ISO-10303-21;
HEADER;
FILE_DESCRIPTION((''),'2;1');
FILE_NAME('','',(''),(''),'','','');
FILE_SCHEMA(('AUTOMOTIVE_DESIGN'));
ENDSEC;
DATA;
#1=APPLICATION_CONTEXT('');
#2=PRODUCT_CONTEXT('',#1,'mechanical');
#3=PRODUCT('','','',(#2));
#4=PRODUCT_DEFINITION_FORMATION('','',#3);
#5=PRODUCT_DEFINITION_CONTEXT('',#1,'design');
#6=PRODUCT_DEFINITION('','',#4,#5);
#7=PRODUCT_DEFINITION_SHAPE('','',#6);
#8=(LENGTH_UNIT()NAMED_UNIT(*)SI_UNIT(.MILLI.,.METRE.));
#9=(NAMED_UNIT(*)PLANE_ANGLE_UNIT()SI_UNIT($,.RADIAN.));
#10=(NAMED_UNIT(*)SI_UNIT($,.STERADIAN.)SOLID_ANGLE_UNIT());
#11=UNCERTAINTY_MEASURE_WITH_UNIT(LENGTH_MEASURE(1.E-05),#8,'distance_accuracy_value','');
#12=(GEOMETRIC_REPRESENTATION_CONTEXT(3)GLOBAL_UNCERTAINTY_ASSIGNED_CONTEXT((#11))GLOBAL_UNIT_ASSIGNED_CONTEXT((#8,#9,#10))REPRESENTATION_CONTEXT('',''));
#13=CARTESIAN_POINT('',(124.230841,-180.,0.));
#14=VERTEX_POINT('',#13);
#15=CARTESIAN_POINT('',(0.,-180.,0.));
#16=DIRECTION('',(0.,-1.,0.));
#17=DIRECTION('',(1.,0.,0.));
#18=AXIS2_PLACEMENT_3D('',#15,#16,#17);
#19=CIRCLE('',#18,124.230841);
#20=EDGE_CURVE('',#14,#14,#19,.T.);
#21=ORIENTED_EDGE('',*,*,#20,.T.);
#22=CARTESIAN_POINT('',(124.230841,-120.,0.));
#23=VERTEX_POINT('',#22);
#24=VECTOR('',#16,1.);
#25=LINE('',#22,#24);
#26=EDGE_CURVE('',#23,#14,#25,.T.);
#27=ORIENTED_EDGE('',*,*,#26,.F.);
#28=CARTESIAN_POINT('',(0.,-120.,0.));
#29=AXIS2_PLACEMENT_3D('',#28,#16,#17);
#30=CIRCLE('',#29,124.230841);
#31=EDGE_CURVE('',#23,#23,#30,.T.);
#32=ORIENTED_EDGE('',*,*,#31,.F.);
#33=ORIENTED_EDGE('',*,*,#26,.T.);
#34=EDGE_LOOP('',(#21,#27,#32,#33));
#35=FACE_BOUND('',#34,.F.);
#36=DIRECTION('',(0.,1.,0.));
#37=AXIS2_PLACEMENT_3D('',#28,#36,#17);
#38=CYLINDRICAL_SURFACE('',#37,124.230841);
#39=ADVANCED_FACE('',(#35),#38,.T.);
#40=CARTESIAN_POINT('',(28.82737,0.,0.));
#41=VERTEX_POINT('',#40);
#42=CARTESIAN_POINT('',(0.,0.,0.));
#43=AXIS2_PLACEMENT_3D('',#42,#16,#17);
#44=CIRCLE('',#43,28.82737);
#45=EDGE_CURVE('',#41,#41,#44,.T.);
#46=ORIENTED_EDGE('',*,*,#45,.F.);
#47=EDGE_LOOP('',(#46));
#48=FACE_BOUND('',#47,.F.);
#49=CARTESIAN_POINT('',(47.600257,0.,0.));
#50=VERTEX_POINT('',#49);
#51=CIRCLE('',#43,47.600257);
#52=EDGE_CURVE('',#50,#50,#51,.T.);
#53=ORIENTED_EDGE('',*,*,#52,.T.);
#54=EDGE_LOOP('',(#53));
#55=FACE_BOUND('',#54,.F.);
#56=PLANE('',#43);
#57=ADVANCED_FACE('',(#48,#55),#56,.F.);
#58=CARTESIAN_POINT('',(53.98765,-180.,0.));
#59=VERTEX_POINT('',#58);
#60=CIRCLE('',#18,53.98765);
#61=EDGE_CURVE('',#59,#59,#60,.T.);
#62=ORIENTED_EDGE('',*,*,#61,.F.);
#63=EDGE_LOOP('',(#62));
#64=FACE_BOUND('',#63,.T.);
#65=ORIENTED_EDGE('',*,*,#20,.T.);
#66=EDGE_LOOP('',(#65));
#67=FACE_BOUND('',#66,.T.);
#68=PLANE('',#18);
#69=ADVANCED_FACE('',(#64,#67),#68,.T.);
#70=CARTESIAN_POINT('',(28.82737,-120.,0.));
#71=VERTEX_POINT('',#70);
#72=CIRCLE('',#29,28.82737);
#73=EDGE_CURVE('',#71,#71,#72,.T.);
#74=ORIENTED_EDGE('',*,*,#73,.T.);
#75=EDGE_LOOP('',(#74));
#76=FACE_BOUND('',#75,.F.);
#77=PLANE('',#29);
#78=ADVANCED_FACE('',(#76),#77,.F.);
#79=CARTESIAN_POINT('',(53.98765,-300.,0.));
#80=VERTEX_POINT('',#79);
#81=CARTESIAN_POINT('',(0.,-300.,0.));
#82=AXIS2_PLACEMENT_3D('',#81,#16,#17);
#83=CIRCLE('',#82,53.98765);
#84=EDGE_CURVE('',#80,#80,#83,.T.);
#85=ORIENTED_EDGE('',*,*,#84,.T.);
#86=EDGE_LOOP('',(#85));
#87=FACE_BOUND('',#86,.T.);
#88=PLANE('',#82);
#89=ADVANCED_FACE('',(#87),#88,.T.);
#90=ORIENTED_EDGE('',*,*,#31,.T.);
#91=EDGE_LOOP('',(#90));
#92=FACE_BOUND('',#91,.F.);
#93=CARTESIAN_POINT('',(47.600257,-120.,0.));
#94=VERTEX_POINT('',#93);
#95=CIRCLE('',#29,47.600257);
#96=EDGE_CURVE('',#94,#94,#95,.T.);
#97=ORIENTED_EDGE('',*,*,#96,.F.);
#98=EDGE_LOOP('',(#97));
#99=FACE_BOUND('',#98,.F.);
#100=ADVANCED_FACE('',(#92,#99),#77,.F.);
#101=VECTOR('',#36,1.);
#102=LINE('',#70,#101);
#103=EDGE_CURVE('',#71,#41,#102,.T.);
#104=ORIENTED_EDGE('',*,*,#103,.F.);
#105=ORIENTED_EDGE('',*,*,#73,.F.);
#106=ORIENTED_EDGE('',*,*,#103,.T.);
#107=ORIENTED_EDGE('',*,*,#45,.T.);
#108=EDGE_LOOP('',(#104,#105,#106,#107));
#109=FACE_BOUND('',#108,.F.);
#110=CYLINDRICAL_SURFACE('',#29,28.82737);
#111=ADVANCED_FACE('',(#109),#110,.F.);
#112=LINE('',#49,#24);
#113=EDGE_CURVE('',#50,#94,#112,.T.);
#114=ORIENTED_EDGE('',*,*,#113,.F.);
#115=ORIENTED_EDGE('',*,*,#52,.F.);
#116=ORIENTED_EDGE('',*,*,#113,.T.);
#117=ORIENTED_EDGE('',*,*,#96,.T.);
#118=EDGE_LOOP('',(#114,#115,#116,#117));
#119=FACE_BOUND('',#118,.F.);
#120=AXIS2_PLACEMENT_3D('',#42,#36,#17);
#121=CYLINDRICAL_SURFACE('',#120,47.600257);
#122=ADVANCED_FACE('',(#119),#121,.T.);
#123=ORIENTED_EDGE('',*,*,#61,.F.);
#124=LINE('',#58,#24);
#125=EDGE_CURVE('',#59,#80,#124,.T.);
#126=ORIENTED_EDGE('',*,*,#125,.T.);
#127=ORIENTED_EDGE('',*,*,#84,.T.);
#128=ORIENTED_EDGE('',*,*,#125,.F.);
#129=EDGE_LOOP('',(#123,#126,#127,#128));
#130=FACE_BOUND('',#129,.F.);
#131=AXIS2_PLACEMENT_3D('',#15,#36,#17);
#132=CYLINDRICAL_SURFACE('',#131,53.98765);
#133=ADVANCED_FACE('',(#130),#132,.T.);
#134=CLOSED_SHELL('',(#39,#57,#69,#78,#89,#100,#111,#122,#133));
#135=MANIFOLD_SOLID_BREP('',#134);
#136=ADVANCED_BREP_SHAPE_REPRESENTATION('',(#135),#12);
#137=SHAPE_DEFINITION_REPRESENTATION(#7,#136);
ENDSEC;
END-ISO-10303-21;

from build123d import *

# Parameters (mm, degrees)
F0_R     = 47.600257
F1_DEPTH = 120
F2_R     = 28.82737
F3_DEPTH = 120.001
F4_R     = 124.230841
F4_R_2   = 28.82737
F5_DEPTH = 60
F8_R     = 53.98765
F9_DEPTH = 120


with BuildPart() as f1:
    # F0 (on Front) → F1 (new body)
    with BuildSketch(Plane.XZ):
        Circle(F0_R)
    extrude(amount=F1_DEPTH)

    # F2 (on face) → F3 (cut, through all)
    with BuildSketch(Plane.XZ.offset(120)):
        Circle(F2_R)
    extrude(amount=-F3_DEPTH, mode=Mode.SUBTRACT)

    # F2 (on face) + F4 (on face) → F5 (join)
    with BuildSketch(Plane.XZ.offset(120)):
        Circle(F2_R)
    with BuildSketch(Plane.XZ.offset(120)):
        Circle(F4_R)
        Circle(F4_R_2, mode=Mode.SUBTRACT)
    extrude(amount=F5_DEPTH)

    # F8 (on face) → F9 (join)
    with BuildSketch(Plane.XZ.offset(180)):
        Circle(F8_R)
    extrude(amount=F9_DEPTH)


solid = f1.part
